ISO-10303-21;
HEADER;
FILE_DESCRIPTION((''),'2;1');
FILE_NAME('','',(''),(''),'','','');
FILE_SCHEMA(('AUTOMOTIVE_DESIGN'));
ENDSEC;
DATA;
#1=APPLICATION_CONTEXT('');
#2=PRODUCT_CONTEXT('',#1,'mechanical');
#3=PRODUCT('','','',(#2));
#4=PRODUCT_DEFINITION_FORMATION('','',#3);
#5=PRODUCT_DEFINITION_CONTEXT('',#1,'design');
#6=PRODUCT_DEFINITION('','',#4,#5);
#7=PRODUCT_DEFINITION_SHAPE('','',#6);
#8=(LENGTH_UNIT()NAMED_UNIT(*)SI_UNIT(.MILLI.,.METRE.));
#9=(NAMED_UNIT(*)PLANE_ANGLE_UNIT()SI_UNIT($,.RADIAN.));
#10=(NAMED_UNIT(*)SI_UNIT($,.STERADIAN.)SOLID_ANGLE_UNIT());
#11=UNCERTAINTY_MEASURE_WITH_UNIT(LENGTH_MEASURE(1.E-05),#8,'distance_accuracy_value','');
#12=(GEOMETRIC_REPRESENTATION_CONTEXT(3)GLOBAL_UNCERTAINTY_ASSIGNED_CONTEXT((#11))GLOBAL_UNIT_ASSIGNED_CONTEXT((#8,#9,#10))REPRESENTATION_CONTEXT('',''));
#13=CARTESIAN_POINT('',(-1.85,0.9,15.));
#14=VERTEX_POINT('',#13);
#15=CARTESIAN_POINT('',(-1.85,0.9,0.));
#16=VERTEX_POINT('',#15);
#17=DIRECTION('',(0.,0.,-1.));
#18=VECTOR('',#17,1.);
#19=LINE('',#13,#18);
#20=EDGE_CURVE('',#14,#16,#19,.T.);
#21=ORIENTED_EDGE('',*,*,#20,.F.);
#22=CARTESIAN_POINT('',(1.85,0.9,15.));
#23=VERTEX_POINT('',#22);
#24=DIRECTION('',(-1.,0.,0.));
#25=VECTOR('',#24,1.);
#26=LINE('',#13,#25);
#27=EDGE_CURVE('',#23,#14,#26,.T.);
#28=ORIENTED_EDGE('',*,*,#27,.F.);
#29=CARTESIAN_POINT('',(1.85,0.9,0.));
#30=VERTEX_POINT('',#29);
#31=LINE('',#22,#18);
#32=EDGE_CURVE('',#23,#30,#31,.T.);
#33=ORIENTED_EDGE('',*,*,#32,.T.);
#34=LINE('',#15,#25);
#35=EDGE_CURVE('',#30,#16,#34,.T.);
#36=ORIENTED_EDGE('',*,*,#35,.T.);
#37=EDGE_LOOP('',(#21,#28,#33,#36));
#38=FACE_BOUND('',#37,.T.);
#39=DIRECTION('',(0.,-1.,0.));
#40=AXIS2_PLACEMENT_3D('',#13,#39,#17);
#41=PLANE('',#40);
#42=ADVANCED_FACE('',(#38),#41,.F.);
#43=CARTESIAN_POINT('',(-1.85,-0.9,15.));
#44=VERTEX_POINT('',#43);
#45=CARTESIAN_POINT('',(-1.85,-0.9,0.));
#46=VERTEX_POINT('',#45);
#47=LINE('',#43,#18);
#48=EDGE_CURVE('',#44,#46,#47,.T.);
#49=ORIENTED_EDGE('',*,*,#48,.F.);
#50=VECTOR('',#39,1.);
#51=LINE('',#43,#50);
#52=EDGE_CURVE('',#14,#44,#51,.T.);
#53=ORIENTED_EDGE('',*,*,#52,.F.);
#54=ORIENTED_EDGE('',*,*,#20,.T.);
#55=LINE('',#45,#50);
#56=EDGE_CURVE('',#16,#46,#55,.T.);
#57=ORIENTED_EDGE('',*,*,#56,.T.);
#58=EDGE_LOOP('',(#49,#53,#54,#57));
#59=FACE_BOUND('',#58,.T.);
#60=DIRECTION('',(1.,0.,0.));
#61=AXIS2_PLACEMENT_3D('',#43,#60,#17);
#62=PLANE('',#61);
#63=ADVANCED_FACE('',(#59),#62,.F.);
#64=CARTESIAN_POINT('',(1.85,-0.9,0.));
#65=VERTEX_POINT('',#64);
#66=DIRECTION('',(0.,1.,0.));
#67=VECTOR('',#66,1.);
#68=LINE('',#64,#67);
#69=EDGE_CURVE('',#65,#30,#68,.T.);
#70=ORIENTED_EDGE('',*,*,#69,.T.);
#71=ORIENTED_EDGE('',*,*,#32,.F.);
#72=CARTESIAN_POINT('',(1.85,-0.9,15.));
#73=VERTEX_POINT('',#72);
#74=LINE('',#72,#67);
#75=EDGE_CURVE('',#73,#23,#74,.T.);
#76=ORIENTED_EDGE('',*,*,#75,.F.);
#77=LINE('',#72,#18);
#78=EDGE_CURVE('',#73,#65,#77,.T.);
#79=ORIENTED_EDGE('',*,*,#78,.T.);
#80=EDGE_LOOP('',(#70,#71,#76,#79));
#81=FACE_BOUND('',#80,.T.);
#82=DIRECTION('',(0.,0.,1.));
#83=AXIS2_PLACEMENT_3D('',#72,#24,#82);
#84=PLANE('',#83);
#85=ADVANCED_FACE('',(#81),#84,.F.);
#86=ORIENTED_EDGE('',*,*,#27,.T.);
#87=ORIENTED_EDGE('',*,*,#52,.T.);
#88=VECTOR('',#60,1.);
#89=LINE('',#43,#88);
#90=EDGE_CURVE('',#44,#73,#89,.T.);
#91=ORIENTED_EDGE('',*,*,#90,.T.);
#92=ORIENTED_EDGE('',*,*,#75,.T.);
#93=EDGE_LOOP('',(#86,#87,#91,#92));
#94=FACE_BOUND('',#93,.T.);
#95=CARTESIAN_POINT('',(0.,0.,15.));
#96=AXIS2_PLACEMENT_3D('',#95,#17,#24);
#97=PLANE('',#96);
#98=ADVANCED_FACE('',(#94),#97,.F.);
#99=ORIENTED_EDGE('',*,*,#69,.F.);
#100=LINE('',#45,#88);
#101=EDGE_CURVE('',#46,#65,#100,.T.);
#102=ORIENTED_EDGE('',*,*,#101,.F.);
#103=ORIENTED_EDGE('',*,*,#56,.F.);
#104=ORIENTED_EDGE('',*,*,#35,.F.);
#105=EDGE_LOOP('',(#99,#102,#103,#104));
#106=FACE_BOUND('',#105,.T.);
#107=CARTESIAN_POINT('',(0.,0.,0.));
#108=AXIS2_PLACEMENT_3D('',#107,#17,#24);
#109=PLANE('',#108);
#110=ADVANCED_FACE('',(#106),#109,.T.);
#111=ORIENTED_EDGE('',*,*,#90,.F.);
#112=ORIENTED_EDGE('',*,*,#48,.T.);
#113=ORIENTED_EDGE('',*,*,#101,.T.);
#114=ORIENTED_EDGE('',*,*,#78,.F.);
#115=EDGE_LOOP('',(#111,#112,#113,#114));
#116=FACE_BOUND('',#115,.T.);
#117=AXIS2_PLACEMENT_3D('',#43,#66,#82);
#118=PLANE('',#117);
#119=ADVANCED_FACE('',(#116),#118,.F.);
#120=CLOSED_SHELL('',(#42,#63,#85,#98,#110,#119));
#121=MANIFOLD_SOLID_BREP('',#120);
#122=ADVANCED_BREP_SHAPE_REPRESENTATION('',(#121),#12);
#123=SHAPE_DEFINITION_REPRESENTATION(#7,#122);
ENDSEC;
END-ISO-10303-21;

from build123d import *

# Parameters (mm, degrees)
SKETCH1_W           = 3.7
SKETCH1_H           = 1.8
BOSS_EXTRUDE1_DEPTH = 15


with BuildPart() as part:
    # Sketch1 → Boss-Extrude1 (new body)
    with BuildSketch(Plane.XY):
        Rectangle(SKETCH1_W, SKETCH1_H)
    extrude(amount=BOSS_EXTRUDE1_DEPTH)


solid = part.part
